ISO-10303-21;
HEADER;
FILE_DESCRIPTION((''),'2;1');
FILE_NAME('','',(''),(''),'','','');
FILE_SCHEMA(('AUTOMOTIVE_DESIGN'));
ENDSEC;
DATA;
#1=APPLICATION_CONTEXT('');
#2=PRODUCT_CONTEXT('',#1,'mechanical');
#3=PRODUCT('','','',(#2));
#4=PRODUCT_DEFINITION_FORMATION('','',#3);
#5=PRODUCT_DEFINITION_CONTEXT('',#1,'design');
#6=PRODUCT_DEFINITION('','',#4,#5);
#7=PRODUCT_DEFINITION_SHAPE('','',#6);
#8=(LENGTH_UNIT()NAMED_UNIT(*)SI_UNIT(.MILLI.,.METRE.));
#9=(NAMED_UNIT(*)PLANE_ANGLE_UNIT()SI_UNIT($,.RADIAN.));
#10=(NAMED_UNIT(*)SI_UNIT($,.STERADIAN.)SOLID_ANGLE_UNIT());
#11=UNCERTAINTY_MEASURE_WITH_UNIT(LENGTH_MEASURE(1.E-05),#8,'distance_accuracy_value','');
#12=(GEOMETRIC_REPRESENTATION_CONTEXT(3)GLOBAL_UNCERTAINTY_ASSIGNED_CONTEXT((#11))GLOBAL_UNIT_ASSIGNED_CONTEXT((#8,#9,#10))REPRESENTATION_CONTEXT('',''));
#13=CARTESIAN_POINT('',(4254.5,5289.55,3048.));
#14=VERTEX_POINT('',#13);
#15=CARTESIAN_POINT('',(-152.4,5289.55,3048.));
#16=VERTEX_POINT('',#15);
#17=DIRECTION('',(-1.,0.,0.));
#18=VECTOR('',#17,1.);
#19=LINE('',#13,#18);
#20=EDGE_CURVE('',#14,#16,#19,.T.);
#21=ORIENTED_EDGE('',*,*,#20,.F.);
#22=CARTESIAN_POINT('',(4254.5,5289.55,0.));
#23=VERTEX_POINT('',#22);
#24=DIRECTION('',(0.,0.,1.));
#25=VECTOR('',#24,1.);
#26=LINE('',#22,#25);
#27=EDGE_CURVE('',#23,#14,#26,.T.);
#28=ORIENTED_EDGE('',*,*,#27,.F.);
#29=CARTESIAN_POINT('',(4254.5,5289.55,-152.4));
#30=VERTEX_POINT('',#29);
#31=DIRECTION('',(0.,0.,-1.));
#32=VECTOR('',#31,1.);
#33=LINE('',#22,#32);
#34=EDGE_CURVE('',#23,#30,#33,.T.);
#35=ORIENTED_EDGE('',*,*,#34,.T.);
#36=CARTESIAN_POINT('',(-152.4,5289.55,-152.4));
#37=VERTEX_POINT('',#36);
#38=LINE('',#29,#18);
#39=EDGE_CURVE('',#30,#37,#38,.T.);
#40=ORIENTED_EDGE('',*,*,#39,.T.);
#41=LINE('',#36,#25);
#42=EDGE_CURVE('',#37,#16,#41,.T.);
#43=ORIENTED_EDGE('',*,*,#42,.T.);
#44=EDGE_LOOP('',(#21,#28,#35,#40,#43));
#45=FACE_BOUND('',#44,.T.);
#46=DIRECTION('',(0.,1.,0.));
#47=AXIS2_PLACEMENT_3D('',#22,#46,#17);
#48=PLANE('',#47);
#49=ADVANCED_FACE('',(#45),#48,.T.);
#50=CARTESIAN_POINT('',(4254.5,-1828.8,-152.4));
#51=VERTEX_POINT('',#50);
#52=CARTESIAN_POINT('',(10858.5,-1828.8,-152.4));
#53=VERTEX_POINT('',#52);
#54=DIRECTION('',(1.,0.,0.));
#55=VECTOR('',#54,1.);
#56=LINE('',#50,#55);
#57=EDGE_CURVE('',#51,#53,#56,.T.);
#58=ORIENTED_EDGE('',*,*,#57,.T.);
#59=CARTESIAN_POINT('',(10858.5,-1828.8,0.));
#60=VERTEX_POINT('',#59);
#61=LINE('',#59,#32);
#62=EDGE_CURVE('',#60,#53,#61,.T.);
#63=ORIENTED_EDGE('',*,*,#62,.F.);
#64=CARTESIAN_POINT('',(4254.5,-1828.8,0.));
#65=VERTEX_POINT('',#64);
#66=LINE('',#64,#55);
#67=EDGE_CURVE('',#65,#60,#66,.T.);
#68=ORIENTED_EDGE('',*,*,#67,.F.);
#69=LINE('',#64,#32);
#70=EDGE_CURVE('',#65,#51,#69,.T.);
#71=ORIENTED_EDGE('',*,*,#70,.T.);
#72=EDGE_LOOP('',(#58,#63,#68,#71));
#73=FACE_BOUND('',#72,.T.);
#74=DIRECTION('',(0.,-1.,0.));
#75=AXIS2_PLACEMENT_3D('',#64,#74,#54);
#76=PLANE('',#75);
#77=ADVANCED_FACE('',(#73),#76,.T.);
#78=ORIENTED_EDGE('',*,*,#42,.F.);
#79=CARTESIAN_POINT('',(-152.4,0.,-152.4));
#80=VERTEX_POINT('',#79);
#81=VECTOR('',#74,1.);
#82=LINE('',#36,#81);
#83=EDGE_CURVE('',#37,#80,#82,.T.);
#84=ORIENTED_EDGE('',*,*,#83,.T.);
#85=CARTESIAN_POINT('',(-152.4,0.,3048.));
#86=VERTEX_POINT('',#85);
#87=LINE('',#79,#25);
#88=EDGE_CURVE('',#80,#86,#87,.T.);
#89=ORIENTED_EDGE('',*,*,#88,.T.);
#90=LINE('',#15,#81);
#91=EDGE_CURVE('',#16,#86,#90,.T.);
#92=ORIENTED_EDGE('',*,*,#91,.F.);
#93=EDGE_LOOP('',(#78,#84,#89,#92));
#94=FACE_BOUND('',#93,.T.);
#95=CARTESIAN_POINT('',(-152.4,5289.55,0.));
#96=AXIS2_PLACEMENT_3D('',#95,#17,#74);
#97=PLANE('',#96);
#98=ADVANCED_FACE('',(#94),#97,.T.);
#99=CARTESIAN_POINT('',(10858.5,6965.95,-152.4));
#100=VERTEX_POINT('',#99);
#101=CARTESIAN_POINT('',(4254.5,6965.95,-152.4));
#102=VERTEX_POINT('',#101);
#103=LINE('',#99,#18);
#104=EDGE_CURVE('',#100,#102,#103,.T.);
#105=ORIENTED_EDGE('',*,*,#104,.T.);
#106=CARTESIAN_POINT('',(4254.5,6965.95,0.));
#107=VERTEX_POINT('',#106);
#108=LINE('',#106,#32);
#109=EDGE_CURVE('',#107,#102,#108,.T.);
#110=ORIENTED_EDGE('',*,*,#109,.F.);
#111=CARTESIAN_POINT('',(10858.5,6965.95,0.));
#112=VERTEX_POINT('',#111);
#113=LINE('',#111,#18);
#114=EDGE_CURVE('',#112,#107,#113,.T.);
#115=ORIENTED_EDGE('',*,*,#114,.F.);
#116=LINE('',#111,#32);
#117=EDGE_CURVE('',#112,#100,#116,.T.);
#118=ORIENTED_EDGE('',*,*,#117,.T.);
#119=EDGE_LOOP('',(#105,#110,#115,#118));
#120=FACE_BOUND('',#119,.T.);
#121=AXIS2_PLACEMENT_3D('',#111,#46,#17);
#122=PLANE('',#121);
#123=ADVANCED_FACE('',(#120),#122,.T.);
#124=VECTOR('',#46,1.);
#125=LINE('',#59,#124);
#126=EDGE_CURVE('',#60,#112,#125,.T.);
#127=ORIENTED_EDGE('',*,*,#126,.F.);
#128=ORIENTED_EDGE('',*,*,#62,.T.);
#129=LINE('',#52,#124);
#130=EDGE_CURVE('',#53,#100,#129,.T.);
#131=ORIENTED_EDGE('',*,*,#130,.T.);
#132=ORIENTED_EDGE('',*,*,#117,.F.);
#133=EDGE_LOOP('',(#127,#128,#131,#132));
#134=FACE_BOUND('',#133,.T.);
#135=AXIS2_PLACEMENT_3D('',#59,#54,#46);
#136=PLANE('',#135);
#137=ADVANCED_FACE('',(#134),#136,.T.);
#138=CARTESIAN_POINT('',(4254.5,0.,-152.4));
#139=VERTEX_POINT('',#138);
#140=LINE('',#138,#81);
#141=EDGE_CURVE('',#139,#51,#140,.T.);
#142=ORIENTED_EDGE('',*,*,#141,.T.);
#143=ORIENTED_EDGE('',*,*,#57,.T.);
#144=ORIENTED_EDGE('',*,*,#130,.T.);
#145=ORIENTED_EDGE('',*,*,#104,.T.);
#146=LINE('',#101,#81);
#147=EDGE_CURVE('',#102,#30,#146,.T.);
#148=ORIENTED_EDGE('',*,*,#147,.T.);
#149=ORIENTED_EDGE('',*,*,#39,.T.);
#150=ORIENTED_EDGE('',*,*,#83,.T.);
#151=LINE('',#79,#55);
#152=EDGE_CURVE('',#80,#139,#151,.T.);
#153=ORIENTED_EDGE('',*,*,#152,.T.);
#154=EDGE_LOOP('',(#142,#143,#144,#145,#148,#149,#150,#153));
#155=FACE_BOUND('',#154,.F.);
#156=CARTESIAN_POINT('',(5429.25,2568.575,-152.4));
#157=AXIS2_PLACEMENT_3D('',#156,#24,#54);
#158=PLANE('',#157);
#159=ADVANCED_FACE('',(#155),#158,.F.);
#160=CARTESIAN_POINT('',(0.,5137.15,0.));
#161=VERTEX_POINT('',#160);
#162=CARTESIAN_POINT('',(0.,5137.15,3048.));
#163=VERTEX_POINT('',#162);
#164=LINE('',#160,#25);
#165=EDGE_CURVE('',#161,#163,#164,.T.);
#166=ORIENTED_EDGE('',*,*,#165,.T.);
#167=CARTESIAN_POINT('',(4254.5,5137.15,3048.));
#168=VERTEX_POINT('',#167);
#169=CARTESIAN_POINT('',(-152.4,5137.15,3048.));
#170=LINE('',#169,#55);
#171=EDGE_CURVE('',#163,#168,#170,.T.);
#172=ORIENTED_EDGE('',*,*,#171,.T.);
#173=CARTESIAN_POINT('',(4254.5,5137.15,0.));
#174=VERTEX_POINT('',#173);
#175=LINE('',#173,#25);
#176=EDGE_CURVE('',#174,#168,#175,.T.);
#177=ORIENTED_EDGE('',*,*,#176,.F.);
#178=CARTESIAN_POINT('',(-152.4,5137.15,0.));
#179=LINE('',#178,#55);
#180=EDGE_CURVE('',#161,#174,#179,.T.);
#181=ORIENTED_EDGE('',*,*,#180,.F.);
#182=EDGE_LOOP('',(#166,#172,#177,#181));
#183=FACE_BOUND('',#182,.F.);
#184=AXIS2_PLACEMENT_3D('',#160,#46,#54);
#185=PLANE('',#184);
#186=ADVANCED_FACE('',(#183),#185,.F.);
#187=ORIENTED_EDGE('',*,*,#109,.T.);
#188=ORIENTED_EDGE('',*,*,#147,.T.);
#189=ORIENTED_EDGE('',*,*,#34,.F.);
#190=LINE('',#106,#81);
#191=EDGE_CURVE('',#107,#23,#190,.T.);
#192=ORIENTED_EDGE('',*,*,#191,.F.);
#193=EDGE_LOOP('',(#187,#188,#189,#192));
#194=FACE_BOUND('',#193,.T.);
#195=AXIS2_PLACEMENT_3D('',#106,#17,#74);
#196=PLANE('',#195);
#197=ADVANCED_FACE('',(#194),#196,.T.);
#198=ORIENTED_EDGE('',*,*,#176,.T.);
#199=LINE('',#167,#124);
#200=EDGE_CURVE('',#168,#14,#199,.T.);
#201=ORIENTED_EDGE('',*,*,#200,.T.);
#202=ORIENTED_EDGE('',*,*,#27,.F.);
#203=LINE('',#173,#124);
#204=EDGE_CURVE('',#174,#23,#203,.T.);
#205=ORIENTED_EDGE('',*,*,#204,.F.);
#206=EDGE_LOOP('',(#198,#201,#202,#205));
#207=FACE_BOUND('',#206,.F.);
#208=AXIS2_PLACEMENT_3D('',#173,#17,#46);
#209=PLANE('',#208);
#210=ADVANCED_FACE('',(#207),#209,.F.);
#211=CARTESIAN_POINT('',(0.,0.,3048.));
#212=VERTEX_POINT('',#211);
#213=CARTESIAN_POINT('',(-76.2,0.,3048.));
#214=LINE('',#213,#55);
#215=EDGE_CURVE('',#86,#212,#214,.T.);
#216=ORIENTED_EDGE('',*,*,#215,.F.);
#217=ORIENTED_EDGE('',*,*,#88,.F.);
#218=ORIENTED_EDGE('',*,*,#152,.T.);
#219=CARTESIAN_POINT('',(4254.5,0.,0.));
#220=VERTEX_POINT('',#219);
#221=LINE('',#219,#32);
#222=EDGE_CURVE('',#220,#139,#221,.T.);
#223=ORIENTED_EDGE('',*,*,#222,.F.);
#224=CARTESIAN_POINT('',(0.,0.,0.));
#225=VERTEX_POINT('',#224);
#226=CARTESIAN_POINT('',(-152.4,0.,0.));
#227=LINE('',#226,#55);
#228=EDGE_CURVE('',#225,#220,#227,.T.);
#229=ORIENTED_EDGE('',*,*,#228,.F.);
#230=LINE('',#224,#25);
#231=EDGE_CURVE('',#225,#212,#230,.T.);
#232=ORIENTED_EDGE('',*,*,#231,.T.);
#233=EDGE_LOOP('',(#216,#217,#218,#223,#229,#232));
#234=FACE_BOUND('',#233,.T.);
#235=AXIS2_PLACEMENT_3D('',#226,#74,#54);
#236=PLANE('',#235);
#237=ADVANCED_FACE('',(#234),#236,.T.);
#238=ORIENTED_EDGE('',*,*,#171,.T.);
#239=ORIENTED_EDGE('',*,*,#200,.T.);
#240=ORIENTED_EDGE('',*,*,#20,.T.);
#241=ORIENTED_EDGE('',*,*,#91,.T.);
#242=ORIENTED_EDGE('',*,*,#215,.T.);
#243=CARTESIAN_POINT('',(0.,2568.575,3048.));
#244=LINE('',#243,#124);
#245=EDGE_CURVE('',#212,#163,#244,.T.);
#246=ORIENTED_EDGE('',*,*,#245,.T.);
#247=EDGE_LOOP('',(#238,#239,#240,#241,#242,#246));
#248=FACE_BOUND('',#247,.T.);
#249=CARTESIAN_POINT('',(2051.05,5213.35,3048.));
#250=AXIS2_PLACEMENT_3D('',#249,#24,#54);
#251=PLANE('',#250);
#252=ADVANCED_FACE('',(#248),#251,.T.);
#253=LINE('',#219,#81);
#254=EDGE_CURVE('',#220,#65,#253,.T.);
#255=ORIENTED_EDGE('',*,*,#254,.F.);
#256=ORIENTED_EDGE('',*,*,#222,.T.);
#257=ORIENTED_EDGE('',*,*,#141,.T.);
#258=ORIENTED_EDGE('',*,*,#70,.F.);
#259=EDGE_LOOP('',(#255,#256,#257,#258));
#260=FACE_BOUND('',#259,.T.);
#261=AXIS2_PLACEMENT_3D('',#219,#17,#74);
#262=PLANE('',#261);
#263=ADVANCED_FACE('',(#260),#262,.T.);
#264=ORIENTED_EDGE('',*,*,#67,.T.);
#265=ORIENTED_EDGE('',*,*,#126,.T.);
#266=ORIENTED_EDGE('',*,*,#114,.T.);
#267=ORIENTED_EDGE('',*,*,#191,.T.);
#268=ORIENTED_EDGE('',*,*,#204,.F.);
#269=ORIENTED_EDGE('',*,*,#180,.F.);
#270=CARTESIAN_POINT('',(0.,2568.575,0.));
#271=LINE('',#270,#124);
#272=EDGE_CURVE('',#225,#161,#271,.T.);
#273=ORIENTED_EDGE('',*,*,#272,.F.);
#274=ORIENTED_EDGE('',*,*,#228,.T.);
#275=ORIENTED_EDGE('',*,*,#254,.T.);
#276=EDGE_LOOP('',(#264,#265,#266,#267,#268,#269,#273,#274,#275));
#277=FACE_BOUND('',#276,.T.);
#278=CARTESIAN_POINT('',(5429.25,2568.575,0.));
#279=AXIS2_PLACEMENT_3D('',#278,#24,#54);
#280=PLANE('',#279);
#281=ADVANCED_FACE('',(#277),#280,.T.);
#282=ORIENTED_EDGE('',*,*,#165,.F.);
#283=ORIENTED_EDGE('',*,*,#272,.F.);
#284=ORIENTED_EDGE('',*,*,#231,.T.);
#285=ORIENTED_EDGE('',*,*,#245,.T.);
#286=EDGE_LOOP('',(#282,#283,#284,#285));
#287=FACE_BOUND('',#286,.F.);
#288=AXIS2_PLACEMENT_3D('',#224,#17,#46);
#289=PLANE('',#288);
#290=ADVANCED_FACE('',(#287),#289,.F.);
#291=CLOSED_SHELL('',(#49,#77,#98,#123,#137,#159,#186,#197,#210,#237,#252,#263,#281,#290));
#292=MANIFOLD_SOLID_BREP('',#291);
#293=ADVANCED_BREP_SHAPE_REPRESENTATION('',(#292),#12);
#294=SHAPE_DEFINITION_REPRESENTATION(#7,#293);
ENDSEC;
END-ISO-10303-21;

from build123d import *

# Parameters (mm, degrees)
F0_W     = 152.4
F0_H     = 5137.15
F1_DEPTH = 3048
F2_DEPTH = 152.4


with BuildPart() as f1:
    # F0 (on Top) → F1 (new body)
    with BuildSketch(Plane.XY):
        Polygon((-152.4, 5137.15), (0, 5137.15), (4254.5, 5137.15), (4254.5, 5289.55), (-152.4, 5289.55), align=None)
        with Locations((-76.2, 2568.575)):
            Rectangle(F0_W, F0_H)
    extrude(amount=F1_DEPTH)

    # F0 (on Top) → F2 (join)
    with BuildSketch(Plane.XY):
        Polygon((0, 5137.15), (0, 0), (4254.5, 0), (10858.5, 0), (10858.5, 5137.15), (4254.5, 5137.15), align=None)
        with Locations((-76.2, 2568.575)):
            Rectangle(F0_W, F0_H)
        Polygon((-152.4, 5137.15), (0, 5137.15), (4254.5, 5137.15), (4254.5, 5289.55), (-152.4, 5289.55), align=None)
        Polygon((10858.5, 0), (4254.5, 0), (4254.5, -152.4), (4254.5, -1828.8), (10858.5, -1828.8), align=None)
        Polygon((4254.5, 5289.55), (4254.5, 5137.15), (10858.5, 5137.15), (10858.5, 6965.95), (4254.5, 6965.95), align=None)
    extrude(amount=-F2_DEPTH)


solid = f1.part
